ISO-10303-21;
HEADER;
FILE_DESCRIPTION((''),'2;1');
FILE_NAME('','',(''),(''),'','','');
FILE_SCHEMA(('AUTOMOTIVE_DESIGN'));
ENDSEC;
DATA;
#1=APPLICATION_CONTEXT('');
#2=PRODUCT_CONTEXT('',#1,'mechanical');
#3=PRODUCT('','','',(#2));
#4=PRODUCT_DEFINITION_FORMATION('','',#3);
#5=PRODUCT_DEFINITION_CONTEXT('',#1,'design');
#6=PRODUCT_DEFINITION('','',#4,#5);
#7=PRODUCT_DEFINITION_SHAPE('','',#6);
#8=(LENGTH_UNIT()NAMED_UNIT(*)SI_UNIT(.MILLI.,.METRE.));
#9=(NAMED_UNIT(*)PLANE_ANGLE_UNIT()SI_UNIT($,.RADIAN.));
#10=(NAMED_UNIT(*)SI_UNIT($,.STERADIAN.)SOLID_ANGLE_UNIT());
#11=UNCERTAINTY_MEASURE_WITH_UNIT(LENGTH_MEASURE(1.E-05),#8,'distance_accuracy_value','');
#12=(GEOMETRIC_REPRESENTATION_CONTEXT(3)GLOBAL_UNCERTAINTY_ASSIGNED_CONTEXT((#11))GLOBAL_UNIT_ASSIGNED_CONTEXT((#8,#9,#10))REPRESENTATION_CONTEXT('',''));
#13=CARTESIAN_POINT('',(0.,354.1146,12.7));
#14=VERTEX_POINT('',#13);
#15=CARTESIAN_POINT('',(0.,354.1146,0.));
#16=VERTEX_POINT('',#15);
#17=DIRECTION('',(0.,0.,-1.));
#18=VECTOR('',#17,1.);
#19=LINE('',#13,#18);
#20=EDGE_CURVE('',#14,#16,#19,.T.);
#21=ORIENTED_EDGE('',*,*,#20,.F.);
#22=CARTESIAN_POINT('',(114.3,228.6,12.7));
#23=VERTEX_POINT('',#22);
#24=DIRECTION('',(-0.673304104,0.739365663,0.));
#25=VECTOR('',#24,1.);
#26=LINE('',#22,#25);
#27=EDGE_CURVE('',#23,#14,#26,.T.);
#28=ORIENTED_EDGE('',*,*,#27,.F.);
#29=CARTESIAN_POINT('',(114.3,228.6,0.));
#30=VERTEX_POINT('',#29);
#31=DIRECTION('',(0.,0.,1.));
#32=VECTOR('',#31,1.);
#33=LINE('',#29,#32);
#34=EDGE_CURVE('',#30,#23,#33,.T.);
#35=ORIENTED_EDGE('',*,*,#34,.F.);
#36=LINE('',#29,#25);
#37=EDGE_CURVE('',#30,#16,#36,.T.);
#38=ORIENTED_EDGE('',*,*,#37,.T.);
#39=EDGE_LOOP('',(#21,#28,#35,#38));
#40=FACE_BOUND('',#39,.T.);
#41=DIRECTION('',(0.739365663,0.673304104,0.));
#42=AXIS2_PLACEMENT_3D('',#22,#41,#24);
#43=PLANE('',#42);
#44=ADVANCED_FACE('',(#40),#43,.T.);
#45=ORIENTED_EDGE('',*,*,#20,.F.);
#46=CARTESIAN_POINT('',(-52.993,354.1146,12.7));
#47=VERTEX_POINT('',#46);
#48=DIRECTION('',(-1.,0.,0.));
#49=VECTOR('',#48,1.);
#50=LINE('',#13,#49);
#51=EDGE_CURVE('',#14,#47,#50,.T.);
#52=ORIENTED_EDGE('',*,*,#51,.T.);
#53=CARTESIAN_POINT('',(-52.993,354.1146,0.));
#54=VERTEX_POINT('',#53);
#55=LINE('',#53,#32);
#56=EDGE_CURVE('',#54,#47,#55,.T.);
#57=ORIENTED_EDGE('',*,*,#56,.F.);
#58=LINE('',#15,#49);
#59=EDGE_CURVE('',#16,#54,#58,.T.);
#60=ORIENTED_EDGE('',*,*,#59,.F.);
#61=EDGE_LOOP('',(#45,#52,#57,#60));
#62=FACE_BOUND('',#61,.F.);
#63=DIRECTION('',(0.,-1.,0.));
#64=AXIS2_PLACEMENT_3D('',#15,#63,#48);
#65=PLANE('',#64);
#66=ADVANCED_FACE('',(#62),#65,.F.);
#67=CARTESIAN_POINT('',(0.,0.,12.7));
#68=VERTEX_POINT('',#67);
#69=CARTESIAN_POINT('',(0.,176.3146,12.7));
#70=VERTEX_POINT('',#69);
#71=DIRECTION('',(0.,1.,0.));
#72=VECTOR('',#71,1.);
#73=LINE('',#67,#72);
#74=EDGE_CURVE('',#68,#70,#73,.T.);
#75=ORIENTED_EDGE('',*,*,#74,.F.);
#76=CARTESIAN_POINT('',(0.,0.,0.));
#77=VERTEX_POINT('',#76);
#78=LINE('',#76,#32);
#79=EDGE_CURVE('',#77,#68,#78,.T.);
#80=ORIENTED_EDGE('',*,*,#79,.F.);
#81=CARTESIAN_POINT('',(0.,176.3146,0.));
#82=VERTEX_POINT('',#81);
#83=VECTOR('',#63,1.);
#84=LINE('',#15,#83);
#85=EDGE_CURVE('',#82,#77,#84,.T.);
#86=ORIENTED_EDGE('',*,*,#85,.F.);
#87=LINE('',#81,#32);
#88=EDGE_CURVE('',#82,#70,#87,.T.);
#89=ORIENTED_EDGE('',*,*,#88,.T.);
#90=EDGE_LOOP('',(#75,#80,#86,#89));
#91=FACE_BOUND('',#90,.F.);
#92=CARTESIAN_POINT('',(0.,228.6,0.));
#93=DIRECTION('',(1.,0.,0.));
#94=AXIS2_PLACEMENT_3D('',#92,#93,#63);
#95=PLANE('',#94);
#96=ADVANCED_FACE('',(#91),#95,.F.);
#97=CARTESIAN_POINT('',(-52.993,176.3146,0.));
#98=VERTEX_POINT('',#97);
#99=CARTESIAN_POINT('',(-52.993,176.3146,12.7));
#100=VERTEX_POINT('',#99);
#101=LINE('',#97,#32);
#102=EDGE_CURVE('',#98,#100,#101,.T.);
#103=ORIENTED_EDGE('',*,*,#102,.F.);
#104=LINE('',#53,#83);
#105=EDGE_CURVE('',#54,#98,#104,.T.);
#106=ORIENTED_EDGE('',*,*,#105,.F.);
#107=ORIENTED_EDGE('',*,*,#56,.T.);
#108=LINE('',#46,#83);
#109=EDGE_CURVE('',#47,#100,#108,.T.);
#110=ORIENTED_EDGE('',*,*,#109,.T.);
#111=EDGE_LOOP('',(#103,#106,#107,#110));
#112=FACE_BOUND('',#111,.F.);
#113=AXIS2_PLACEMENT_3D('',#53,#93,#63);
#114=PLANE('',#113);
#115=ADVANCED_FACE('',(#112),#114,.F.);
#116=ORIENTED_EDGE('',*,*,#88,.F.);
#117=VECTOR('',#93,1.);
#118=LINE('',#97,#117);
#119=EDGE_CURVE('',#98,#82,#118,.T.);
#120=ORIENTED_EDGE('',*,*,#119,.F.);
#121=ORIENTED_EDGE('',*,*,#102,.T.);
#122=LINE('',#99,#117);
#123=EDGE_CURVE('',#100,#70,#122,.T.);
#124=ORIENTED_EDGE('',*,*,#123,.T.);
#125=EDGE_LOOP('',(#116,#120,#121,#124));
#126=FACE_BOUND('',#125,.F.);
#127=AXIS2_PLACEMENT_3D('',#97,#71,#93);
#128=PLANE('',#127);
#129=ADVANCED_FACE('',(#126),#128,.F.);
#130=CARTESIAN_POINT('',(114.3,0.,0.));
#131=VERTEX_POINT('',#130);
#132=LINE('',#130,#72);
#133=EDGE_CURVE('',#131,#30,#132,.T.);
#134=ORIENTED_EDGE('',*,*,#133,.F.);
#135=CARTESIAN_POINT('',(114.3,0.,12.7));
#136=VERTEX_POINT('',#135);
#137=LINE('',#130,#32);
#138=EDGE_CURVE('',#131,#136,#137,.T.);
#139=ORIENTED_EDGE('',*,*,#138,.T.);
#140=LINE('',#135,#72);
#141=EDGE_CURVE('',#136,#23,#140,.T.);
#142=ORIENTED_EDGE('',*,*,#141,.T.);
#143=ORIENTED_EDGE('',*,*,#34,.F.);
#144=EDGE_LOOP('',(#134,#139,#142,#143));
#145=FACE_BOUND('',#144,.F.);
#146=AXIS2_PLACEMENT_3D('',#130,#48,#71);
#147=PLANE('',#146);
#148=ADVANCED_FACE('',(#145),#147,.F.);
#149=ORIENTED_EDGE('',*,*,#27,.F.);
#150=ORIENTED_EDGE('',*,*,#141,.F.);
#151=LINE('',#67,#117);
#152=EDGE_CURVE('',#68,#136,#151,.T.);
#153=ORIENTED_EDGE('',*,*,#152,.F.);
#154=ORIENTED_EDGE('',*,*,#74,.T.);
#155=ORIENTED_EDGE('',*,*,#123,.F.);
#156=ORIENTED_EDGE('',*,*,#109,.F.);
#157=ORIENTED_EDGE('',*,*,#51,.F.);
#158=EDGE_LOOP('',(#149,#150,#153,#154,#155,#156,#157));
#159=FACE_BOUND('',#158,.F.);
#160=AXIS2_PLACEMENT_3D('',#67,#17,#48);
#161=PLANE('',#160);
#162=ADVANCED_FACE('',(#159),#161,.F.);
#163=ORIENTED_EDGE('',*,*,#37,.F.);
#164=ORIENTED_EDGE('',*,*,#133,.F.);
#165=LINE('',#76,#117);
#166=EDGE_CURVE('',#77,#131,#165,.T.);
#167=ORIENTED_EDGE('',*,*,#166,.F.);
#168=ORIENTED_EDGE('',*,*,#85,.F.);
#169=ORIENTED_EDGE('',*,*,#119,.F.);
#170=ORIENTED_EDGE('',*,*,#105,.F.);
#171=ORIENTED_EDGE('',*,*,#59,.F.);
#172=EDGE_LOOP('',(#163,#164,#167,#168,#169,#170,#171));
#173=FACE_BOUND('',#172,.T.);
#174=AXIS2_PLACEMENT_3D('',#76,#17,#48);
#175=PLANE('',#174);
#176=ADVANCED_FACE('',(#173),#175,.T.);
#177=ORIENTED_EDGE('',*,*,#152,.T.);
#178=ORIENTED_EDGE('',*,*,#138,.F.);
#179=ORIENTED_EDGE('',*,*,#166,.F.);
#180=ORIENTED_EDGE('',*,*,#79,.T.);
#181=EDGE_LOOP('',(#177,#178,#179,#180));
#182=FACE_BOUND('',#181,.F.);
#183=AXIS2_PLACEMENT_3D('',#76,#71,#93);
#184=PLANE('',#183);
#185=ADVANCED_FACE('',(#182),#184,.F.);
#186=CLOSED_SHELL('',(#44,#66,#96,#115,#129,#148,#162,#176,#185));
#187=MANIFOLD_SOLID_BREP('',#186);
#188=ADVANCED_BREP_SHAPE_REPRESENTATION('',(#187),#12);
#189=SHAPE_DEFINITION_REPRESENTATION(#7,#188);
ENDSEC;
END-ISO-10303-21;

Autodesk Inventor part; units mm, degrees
ref_plane "YZ Plane" through (0, 0, 0) normal (1, 0, 0) x (0, 1, 0)
ref_plane "XZ Plane" through (0, 0, 0) normal (0, 1, 0) x (-1, 0, 0)
ref_plane "XY Plane" through (0, 0, 0) normal (0, 0, 1) x (1, 0, 0)
sketch "Sketch1" plane through (0, 0, 0) normal (0, 0, 1) x (1, 0, 0)
  line L0 (0, 0) -> (114.3, 0)
  line L1 (114.3, 0) -> (114.3, 228.6)
  line L2 (114.3, 228.6) -> (0, 228.6)
  line L3 (0, 228.6) -> (0, 0)
  dimension "d0" = 114.3
  dimension "d1" = 228.6
extrude "Extrusion1" add sketch "Sketch1" along normal blind 12.7
sketch "Sketch3" plane through (0, 0, 12.7) normal (0, 0, 1) x (1, 0, 0)
  line L0 (114.3, 0) -> (114.3, 228.6) projected
  line L1 (114.3, 228.6) -> (0, 354.1146)
  line L2 (0, 354.1146) -> (0, 228.6)
  line L3 (0, 228.6) -> (114.3, 228.6)
  point P0 (0, 0)
extrude "Extrusion2" add sketch "Sketch3" against normal blind 12.7
sketch "Sketch4" plane through (0, 0, 0) normal (0, 0, -1) x (-1, 0, 0)
  line L0 (0, 354.1146) -> (52.993, 354.1146)
  line L1 (52.993, 354.1146) -> (52.993, 176.3146)
  line L2 (52.993, 176.3146) -> (0, 176.3146)
  line L3 (0, 176.3146) -> (0, 354.1146)
  point P0 (0, 0)
  point P1 (0, 354.1146)
  dimension "d7" = 177.8
extrude "Extrusion3" add sketch "Sketch4" against normal blind 12.7
properties part number "motor mount platform"
